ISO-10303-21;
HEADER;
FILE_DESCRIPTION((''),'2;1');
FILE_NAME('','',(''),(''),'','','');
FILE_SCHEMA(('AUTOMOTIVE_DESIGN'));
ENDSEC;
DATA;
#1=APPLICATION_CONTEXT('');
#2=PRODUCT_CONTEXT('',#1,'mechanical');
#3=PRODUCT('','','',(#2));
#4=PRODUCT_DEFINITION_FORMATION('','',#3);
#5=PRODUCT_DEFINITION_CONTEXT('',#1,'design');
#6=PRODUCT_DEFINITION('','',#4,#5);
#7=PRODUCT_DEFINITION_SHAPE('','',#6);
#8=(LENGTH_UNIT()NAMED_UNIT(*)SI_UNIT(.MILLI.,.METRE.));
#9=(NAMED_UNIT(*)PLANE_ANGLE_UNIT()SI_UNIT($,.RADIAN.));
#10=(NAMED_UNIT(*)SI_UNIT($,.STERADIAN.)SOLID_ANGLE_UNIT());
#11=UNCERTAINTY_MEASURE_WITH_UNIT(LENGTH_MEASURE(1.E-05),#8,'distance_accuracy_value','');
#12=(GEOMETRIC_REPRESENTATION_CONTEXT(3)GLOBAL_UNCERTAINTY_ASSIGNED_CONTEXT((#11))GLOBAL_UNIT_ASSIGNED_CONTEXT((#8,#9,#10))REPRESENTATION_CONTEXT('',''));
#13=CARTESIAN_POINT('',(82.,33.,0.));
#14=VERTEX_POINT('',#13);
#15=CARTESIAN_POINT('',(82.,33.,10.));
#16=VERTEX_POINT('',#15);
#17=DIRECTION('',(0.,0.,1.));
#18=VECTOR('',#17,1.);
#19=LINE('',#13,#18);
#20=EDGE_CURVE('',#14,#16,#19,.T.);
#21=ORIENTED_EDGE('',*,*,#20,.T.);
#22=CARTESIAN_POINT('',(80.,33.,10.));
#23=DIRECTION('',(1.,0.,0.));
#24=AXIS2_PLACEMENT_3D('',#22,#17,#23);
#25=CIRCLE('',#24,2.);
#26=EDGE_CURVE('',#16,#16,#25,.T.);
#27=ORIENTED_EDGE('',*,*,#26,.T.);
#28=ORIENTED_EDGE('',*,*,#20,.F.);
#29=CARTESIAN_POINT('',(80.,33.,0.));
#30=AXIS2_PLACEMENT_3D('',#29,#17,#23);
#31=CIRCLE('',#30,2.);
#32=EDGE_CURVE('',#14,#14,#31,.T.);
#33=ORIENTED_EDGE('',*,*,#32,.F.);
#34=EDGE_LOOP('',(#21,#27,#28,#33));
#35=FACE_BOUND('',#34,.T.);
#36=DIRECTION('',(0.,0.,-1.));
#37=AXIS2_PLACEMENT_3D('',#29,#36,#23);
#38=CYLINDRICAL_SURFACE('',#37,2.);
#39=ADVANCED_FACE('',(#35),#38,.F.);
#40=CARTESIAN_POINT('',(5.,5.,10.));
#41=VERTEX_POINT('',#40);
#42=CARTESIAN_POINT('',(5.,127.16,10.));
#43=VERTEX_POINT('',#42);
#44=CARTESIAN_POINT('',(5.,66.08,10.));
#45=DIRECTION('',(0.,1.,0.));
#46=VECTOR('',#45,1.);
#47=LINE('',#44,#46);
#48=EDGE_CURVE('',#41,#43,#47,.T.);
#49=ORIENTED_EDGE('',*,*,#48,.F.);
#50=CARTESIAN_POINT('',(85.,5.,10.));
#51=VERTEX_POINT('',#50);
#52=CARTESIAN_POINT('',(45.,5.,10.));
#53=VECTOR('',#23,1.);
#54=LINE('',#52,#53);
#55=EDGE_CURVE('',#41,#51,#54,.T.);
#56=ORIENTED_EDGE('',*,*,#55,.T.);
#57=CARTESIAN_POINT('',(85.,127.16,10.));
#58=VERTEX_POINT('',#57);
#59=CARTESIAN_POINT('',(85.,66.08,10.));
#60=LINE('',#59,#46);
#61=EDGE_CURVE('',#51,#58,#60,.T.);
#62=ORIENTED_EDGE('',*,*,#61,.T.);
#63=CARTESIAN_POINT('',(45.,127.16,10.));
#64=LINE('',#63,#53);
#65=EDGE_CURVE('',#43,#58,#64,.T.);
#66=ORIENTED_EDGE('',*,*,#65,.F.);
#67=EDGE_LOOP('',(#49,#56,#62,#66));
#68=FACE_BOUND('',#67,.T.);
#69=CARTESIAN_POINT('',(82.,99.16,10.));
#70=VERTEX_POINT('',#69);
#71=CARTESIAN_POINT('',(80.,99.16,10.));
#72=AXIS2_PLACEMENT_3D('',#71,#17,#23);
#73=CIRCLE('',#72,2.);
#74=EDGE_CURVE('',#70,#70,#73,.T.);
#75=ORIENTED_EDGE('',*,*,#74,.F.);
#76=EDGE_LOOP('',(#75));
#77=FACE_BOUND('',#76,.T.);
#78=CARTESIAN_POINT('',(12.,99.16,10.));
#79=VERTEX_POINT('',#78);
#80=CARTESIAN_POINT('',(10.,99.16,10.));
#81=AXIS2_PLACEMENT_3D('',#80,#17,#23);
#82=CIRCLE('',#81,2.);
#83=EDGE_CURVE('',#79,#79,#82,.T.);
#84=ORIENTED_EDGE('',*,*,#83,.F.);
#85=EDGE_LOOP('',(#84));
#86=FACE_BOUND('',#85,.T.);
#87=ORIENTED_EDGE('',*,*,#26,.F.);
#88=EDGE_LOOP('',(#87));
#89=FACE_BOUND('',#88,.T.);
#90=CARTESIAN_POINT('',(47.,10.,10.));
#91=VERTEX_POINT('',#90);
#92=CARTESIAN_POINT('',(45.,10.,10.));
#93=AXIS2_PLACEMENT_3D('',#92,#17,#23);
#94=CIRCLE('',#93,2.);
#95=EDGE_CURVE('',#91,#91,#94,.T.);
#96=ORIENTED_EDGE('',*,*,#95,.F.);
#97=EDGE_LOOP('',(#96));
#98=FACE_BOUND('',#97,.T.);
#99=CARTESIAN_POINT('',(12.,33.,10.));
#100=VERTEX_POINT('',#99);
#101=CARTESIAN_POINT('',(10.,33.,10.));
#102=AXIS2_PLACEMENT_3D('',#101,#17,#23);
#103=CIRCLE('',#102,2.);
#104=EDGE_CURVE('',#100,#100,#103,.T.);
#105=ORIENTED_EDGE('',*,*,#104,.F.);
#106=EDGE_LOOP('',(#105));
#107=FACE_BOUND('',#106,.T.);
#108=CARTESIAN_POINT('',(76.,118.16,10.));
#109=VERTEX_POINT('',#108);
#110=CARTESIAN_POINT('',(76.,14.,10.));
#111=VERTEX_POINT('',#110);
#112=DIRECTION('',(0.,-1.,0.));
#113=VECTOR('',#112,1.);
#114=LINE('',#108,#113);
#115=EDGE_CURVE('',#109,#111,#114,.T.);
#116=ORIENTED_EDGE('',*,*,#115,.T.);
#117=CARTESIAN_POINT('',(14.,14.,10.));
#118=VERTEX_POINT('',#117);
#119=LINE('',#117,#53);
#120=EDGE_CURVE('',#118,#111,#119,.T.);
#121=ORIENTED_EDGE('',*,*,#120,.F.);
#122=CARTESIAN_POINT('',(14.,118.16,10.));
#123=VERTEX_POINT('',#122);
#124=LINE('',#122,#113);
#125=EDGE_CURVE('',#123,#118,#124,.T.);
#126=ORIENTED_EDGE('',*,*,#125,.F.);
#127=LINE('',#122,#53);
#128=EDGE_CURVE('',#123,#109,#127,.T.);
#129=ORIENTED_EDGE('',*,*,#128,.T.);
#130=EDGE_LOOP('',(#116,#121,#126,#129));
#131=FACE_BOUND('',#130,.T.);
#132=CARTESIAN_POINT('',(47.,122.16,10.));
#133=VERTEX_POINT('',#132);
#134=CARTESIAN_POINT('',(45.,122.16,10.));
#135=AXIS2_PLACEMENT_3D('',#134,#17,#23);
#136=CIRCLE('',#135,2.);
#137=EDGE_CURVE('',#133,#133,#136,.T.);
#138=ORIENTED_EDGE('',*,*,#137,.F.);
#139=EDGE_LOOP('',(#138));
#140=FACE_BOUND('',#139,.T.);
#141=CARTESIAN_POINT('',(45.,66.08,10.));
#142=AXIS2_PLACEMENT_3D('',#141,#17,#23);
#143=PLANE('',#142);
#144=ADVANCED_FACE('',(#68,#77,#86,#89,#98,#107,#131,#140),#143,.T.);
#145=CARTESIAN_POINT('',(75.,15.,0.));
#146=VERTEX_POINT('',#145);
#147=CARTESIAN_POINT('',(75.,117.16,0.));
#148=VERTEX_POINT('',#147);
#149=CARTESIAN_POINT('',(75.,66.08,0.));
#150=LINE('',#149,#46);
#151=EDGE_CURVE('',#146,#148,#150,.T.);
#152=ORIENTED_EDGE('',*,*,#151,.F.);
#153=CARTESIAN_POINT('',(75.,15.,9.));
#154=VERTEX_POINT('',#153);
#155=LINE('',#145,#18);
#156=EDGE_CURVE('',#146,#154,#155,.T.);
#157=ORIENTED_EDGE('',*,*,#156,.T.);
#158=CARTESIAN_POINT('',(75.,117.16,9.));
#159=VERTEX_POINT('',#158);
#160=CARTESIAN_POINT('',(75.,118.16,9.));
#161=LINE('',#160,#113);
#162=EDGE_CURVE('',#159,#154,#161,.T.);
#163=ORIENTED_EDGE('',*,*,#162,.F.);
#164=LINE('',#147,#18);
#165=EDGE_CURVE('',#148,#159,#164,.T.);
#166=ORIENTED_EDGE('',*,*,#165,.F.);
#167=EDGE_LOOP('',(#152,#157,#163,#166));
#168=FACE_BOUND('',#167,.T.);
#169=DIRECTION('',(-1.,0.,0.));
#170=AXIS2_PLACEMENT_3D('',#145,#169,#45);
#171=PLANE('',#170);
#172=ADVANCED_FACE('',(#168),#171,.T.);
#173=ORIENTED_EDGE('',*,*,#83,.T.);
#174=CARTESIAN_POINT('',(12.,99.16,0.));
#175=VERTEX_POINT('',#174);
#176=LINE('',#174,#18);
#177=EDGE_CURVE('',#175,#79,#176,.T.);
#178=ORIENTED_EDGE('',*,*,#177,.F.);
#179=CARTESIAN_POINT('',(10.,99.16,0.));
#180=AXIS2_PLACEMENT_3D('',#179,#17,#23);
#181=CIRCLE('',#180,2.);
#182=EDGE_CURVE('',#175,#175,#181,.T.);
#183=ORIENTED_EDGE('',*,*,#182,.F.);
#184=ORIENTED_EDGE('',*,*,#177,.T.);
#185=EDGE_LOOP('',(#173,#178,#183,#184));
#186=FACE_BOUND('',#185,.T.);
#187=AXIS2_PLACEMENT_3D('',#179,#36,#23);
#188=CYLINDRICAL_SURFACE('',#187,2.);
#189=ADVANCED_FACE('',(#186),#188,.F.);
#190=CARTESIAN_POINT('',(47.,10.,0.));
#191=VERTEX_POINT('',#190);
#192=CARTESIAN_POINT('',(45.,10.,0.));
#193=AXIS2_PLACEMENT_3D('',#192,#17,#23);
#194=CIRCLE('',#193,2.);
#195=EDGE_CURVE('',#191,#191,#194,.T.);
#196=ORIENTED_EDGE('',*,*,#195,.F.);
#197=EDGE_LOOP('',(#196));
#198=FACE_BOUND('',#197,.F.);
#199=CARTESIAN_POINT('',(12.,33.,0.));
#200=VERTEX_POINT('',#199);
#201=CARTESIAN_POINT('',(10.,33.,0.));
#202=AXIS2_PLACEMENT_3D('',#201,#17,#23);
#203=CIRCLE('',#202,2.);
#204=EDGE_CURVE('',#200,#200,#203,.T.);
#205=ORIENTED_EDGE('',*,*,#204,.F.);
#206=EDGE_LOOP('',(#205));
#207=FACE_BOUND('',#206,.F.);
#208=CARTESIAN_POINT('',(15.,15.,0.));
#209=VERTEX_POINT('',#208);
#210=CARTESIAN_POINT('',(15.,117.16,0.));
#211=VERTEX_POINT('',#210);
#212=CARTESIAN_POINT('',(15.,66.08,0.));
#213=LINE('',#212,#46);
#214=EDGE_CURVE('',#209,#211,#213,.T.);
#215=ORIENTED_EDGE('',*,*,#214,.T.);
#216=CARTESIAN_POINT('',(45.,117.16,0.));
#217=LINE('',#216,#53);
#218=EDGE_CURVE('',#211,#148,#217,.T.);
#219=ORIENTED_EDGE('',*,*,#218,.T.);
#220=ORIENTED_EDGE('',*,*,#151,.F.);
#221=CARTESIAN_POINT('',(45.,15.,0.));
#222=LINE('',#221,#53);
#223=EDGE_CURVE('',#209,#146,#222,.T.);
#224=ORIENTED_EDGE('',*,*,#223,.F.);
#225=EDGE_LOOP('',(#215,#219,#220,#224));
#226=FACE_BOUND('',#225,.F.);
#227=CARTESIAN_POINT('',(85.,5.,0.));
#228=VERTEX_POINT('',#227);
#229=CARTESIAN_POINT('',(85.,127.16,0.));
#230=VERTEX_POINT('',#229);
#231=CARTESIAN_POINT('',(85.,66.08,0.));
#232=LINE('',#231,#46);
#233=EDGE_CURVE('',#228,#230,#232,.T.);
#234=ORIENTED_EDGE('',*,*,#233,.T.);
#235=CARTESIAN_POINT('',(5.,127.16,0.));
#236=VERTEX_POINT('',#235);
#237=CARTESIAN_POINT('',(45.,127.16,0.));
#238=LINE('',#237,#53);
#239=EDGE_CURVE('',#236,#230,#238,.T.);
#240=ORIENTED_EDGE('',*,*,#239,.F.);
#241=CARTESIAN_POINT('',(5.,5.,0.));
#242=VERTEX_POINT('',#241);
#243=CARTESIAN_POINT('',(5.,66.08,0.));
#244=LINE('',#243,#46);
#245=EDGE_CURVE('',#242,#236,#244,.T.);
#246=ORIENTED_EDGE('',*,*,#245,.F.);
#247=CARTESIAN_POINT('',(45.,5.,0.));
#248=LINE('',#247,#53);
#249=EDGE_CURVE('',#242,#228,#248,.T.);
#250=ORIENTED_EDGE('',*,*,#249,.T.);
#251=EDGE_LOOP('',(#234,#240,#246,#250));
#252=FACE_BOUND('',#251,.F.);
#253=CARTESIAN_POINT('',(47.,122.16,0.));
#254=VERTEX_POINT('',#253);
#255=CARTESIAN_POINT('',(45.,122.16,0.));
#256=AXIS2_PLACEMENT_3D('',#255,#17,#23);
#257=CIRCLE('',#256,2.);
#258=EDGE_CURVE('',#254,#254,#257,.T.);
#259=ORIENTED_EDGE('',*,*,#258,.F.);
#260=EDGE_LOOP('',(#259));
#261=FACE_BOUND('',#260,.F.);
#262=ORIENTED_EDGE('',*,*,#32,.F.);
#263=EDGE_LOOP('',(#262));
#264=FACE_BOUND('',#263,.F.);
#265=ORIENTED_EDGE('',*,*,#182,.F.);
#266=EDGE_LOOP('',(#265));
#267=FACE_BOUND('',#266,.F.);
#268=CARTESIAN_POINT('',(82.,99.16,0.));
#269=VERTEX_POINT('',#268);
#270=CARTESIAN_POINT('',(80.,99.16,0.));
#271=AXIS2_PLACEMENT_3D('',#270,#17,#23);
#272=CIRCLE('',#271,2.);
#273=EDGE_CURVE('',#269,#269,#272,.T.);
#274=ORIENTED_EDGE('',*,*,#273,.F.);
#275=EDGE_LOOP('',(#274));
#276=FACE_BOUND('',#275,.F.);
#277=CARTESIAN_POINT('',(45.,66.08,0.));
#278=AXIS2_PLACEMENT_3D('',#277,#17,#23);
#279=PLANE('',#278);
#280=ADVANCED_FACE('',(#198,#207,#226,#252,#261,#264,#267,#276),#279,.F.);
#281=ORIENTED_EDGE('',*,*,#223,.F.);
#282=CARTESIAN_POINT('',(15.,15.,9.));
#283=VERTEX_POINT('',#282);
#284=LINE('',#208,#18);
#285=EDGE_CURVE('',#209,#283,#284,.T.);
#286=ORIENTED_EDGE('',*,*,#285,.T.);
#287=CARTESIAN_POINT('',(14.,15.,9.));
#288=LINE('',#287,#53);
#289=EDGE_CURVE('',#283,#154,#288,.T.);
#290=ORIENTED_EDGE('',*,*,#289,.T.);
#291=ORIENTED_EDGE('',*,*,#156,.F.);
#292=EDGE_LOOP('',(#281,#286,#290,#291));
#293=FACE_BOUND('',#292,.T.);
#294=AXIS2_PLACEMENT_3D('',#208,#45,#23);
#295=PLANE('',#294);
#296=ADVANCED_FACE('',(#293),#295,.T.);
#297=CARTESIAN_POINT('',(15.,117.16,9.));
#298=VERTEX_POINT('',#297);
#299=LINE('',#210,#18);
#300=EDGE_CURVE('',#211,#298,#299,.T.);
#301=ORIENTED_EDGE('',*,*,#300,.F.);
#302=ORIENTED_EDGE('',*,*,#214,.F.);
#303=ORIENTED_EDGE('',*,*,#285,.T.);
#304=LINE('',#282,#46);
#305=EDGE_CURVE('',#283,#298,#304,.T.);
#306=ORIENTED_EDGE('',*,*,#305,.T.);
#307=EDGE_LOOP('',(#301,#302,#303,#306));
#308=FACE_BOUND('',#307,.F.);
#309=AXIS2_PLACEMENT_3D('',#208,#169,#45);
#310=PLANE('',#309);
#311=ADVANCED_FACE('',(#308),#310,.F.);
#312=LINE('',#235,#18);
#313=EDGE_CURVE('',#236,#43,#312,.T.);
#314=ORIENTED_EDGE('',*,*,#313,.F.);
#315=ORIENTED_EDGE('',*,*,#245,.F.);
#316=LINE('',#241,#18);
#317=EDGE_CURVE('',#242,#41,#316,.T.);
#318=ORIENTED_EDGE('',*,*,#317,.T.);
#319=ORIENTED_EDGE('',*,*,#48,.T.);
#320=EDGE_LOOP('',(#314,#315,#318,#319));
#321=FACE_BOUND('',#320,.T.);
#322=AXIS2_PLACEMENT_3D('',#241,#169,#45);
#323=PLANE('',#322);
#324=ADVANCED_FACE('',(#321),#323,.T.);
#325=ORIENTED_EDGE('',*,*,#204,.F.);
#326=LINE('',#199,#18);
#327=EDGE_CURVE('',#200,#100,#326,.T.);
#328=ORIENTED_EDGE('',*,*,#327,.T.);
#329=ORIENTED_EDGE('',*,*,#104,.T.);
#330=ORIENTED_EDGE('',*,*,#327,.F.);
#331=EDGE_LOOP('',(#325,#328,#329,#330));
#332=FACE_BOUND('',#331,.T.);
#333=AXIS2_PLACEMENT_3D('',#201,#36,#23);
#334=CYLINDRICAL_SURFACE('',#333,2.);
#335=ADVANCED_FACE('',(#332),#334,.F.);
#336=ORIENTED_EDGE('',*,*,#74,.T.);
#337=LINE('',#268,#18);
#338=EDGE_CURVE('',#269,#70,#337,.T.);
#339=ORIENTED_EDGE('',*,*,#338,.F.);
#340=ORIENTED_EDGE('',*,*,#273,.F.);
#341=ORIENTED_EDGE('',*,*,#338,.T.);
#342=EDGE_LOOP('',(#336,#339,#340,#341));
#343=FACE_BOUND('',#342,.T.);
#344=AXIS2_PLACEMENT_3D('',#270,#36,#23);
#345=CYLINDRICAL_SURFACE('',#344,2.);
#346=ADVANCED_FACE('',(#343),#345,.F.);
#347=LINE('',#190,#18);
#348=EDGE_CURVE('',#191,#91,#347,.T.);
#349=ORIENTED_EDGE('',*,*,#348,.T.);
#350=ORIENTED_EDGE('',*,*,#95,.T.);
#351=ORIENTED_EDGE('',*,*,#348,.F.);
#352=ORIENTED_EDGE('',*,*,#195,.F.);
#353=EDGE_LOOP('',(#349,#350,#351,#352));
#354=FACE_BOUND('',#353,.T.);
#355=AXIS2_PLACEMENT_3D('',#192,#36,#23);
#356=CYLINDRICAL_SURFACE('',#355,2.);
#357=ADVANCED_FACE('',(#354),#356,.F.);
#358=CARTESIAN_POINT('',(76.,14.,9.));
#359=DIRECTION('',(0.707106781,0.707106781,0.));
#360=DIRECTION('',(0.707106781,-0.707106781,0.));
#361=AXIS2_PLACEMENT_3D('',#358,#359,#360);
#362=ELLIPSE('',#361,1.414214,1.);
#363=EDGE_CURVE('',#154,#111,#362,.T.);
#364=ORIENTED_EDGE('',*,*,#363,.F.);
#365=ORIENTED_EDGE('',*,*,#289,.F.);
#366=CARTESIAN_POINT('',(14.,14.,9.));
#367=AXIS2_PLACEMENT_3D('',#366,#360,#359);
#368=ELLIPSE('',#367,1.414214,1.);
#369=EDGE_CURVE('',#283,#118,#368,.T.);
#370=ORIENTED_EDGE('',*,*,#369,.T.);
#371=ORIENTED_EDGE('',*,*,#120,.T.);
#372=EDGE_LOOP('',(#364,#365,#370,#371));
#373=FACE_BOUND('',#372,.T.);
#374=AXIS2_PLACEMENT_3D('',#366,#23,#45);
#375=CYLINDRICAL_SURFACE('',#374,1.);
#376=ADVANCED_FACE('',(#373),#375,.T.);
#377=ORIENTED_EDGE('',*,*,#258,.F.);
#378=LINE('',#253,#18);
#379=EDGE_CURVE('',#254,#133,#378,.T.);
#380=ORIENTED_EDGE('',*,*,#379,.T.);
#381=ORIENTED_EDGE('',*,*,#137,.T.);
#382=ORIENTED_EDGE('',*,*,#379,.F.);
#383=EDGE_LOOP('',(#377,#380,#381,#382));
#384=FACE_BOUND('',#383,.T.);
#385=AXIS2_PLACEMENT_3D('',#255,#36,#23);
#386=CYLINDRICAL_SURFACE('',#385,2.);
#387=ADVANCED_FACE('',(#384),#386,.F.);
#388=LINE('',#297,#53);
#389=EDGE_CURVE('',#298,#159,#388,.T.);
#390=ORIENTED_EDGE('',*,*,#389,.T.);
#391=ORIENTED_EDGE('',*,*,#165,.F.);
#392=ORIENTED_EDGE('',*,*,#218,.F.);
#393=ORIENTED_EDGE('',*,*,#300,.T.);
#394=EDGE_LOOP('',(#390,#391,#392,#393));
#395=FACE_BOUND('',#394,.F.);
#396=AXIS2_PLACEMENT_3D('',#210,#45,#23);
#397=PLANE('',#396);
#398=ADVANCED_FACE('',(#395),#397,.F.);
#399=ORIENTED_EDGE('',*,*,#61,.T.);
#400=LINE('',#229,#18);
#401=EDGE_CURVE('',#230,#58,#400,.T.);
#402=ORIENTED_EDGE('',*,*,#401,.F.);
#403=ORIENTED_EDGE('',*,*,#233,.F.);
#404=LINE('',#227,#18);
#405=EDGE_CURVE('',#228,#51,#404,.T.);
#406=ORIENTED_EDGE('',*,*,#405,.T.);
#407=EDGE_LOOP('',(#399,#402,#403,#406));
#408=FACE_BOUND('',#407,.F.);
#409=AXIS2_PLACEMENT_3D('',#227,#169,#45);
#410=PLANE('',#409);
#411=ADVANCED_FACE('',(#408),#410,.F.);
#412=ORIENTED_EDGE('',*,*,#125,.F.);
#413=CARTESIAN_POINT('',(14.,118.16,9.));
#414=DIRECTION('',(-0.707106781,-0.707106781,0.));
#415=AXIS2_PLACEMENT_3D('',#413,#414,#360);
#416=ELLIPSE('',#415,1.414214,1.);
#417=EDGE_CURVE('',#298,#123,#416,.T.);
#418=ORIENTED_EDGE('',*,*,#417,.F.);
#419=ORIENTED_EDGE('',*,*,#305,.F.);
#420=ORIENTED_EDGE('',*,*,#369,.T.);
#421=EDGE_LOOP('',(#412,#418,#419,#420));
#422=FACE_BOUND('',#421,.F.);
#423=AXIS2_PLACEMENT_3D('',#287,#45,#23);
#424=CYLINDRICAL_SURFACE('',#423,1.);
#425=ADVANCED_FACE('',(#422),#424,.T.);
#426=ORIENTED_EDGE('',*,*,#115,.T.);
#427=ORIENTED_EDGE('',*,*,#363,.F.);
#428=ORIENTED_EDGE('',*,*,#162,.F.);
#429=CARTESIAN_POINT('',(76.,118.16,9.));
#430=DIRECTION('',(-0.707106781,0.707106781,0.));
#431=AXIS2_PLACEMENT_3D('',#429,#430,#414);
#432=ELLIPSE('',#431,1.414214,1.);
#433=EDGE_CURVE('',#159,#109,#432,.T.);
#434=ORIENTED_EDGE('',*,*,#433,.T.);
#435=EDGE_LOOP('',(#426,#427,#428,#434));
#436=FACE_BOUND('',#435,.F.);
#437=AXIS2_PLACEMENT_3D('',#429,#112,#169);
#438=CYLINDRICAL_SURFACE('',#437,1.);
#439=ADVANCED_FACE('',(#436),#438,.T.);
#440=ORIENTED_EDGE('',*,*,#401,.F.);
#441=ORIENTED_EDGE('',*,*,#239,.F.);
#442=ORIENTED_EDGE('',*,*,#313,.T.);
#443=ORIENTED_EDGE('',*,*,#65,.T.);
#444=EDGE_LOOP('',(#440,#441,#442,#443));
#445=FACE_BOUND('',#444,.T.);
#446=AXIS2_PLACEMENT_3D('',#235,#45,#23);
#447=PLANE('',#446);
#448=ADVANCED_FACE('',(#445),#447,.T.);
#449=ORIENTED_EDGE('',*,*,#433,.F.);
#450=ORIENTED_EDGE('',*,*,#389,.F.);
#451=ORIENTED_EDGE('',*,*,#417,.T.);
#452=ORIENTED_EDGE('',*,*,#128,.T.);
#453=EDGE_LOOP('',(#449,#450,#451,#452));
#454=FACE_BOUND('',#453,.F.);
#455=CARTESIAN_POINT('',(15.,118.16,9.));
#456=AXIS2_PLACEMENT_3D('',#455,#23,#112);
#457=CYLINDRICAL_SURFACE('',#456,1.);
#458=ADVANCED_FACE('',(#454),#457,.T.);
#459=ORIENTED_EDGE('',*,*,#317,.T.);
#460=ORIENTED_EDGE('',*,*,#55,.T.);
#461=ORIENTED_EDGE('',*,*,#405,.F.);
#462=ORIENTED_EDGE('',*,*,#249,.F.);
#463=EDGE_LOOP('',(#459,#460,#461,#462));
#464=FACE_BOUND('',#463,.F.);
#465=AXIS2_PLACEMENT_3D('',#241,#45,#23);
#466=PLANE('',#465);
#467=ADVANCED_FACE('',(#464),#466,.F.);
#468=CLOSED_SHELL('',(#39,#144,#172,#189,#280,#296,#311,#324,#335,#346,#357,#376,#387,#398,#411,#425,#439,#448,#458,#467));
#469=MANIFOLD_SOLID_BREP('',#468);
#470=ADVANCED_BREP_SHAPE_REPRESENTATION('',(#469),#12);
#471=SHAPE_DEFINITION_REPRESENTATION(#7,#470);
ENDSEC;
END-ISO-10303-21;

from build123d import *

# Parameters (mm, degrees)
SKETCH_W    = 80
SKETCH_H    = 122.16
SKETCH_R    = 2
SKETCH_W_2  = 60
SKETCH_H_2  = 102.16
PAD_DEPTH   = 10
FILLET_R    = 1
FILLET001_R = 1


with BuildPart() as part:
    # Sketch → Pad (new body)
    with BuildSketch(Plane.XY):
        with Locations((45, 66.08)):
            Rectangle(SKETCH_W, SKETCH_H)
        with Locations((10, 99.16)):
            Circle(SKETCH_R, mode=Mode.SUBTRACT)
        with Locations((10, 33)):
            Circle(SKETCH_R, mode=Mode.SUBTRACT)
        with Locations((80, 99.16)):
            Circle(SKETCH_R, mode=Mode.SUBTRACT)
        with Locations((80, 33)):
            Circle(SKETCH_R, mode=Mode.SUBTRACT)
        with Locations((45, 122.16)):
            Circle(SKETCH_R, mode=Mode.SUBTRACT)
        with Locations((45, 10)):
            Circle(SKETCH_R, mode=Mode.SUBTRACT)
        with Locations((45, 66.08)):
            Rectangle(SKETCH_W_2, SKETCH_H_2, mode=Mode.SUBTRACT)
    extrude(amount=PAD_DEPTH)

    # Fillet
    fillet_edges = [part.edges().sort_by_distance(p)[0] for p in [
        (45, 117.16, 10),
        (15, 66.08, 10),
    ]]
    fillet(fillet_edges, radius=FILLET_R)

    # Fillet001
    fillet001_edges = [part.edges().sort_by_distance(p)[0] for p in [
        (45, 15, 10),
        (75, 66.08, 10),
    ]]
    fillet(fillet001_edges, radius=FILLET001_R)


solid = part.part
